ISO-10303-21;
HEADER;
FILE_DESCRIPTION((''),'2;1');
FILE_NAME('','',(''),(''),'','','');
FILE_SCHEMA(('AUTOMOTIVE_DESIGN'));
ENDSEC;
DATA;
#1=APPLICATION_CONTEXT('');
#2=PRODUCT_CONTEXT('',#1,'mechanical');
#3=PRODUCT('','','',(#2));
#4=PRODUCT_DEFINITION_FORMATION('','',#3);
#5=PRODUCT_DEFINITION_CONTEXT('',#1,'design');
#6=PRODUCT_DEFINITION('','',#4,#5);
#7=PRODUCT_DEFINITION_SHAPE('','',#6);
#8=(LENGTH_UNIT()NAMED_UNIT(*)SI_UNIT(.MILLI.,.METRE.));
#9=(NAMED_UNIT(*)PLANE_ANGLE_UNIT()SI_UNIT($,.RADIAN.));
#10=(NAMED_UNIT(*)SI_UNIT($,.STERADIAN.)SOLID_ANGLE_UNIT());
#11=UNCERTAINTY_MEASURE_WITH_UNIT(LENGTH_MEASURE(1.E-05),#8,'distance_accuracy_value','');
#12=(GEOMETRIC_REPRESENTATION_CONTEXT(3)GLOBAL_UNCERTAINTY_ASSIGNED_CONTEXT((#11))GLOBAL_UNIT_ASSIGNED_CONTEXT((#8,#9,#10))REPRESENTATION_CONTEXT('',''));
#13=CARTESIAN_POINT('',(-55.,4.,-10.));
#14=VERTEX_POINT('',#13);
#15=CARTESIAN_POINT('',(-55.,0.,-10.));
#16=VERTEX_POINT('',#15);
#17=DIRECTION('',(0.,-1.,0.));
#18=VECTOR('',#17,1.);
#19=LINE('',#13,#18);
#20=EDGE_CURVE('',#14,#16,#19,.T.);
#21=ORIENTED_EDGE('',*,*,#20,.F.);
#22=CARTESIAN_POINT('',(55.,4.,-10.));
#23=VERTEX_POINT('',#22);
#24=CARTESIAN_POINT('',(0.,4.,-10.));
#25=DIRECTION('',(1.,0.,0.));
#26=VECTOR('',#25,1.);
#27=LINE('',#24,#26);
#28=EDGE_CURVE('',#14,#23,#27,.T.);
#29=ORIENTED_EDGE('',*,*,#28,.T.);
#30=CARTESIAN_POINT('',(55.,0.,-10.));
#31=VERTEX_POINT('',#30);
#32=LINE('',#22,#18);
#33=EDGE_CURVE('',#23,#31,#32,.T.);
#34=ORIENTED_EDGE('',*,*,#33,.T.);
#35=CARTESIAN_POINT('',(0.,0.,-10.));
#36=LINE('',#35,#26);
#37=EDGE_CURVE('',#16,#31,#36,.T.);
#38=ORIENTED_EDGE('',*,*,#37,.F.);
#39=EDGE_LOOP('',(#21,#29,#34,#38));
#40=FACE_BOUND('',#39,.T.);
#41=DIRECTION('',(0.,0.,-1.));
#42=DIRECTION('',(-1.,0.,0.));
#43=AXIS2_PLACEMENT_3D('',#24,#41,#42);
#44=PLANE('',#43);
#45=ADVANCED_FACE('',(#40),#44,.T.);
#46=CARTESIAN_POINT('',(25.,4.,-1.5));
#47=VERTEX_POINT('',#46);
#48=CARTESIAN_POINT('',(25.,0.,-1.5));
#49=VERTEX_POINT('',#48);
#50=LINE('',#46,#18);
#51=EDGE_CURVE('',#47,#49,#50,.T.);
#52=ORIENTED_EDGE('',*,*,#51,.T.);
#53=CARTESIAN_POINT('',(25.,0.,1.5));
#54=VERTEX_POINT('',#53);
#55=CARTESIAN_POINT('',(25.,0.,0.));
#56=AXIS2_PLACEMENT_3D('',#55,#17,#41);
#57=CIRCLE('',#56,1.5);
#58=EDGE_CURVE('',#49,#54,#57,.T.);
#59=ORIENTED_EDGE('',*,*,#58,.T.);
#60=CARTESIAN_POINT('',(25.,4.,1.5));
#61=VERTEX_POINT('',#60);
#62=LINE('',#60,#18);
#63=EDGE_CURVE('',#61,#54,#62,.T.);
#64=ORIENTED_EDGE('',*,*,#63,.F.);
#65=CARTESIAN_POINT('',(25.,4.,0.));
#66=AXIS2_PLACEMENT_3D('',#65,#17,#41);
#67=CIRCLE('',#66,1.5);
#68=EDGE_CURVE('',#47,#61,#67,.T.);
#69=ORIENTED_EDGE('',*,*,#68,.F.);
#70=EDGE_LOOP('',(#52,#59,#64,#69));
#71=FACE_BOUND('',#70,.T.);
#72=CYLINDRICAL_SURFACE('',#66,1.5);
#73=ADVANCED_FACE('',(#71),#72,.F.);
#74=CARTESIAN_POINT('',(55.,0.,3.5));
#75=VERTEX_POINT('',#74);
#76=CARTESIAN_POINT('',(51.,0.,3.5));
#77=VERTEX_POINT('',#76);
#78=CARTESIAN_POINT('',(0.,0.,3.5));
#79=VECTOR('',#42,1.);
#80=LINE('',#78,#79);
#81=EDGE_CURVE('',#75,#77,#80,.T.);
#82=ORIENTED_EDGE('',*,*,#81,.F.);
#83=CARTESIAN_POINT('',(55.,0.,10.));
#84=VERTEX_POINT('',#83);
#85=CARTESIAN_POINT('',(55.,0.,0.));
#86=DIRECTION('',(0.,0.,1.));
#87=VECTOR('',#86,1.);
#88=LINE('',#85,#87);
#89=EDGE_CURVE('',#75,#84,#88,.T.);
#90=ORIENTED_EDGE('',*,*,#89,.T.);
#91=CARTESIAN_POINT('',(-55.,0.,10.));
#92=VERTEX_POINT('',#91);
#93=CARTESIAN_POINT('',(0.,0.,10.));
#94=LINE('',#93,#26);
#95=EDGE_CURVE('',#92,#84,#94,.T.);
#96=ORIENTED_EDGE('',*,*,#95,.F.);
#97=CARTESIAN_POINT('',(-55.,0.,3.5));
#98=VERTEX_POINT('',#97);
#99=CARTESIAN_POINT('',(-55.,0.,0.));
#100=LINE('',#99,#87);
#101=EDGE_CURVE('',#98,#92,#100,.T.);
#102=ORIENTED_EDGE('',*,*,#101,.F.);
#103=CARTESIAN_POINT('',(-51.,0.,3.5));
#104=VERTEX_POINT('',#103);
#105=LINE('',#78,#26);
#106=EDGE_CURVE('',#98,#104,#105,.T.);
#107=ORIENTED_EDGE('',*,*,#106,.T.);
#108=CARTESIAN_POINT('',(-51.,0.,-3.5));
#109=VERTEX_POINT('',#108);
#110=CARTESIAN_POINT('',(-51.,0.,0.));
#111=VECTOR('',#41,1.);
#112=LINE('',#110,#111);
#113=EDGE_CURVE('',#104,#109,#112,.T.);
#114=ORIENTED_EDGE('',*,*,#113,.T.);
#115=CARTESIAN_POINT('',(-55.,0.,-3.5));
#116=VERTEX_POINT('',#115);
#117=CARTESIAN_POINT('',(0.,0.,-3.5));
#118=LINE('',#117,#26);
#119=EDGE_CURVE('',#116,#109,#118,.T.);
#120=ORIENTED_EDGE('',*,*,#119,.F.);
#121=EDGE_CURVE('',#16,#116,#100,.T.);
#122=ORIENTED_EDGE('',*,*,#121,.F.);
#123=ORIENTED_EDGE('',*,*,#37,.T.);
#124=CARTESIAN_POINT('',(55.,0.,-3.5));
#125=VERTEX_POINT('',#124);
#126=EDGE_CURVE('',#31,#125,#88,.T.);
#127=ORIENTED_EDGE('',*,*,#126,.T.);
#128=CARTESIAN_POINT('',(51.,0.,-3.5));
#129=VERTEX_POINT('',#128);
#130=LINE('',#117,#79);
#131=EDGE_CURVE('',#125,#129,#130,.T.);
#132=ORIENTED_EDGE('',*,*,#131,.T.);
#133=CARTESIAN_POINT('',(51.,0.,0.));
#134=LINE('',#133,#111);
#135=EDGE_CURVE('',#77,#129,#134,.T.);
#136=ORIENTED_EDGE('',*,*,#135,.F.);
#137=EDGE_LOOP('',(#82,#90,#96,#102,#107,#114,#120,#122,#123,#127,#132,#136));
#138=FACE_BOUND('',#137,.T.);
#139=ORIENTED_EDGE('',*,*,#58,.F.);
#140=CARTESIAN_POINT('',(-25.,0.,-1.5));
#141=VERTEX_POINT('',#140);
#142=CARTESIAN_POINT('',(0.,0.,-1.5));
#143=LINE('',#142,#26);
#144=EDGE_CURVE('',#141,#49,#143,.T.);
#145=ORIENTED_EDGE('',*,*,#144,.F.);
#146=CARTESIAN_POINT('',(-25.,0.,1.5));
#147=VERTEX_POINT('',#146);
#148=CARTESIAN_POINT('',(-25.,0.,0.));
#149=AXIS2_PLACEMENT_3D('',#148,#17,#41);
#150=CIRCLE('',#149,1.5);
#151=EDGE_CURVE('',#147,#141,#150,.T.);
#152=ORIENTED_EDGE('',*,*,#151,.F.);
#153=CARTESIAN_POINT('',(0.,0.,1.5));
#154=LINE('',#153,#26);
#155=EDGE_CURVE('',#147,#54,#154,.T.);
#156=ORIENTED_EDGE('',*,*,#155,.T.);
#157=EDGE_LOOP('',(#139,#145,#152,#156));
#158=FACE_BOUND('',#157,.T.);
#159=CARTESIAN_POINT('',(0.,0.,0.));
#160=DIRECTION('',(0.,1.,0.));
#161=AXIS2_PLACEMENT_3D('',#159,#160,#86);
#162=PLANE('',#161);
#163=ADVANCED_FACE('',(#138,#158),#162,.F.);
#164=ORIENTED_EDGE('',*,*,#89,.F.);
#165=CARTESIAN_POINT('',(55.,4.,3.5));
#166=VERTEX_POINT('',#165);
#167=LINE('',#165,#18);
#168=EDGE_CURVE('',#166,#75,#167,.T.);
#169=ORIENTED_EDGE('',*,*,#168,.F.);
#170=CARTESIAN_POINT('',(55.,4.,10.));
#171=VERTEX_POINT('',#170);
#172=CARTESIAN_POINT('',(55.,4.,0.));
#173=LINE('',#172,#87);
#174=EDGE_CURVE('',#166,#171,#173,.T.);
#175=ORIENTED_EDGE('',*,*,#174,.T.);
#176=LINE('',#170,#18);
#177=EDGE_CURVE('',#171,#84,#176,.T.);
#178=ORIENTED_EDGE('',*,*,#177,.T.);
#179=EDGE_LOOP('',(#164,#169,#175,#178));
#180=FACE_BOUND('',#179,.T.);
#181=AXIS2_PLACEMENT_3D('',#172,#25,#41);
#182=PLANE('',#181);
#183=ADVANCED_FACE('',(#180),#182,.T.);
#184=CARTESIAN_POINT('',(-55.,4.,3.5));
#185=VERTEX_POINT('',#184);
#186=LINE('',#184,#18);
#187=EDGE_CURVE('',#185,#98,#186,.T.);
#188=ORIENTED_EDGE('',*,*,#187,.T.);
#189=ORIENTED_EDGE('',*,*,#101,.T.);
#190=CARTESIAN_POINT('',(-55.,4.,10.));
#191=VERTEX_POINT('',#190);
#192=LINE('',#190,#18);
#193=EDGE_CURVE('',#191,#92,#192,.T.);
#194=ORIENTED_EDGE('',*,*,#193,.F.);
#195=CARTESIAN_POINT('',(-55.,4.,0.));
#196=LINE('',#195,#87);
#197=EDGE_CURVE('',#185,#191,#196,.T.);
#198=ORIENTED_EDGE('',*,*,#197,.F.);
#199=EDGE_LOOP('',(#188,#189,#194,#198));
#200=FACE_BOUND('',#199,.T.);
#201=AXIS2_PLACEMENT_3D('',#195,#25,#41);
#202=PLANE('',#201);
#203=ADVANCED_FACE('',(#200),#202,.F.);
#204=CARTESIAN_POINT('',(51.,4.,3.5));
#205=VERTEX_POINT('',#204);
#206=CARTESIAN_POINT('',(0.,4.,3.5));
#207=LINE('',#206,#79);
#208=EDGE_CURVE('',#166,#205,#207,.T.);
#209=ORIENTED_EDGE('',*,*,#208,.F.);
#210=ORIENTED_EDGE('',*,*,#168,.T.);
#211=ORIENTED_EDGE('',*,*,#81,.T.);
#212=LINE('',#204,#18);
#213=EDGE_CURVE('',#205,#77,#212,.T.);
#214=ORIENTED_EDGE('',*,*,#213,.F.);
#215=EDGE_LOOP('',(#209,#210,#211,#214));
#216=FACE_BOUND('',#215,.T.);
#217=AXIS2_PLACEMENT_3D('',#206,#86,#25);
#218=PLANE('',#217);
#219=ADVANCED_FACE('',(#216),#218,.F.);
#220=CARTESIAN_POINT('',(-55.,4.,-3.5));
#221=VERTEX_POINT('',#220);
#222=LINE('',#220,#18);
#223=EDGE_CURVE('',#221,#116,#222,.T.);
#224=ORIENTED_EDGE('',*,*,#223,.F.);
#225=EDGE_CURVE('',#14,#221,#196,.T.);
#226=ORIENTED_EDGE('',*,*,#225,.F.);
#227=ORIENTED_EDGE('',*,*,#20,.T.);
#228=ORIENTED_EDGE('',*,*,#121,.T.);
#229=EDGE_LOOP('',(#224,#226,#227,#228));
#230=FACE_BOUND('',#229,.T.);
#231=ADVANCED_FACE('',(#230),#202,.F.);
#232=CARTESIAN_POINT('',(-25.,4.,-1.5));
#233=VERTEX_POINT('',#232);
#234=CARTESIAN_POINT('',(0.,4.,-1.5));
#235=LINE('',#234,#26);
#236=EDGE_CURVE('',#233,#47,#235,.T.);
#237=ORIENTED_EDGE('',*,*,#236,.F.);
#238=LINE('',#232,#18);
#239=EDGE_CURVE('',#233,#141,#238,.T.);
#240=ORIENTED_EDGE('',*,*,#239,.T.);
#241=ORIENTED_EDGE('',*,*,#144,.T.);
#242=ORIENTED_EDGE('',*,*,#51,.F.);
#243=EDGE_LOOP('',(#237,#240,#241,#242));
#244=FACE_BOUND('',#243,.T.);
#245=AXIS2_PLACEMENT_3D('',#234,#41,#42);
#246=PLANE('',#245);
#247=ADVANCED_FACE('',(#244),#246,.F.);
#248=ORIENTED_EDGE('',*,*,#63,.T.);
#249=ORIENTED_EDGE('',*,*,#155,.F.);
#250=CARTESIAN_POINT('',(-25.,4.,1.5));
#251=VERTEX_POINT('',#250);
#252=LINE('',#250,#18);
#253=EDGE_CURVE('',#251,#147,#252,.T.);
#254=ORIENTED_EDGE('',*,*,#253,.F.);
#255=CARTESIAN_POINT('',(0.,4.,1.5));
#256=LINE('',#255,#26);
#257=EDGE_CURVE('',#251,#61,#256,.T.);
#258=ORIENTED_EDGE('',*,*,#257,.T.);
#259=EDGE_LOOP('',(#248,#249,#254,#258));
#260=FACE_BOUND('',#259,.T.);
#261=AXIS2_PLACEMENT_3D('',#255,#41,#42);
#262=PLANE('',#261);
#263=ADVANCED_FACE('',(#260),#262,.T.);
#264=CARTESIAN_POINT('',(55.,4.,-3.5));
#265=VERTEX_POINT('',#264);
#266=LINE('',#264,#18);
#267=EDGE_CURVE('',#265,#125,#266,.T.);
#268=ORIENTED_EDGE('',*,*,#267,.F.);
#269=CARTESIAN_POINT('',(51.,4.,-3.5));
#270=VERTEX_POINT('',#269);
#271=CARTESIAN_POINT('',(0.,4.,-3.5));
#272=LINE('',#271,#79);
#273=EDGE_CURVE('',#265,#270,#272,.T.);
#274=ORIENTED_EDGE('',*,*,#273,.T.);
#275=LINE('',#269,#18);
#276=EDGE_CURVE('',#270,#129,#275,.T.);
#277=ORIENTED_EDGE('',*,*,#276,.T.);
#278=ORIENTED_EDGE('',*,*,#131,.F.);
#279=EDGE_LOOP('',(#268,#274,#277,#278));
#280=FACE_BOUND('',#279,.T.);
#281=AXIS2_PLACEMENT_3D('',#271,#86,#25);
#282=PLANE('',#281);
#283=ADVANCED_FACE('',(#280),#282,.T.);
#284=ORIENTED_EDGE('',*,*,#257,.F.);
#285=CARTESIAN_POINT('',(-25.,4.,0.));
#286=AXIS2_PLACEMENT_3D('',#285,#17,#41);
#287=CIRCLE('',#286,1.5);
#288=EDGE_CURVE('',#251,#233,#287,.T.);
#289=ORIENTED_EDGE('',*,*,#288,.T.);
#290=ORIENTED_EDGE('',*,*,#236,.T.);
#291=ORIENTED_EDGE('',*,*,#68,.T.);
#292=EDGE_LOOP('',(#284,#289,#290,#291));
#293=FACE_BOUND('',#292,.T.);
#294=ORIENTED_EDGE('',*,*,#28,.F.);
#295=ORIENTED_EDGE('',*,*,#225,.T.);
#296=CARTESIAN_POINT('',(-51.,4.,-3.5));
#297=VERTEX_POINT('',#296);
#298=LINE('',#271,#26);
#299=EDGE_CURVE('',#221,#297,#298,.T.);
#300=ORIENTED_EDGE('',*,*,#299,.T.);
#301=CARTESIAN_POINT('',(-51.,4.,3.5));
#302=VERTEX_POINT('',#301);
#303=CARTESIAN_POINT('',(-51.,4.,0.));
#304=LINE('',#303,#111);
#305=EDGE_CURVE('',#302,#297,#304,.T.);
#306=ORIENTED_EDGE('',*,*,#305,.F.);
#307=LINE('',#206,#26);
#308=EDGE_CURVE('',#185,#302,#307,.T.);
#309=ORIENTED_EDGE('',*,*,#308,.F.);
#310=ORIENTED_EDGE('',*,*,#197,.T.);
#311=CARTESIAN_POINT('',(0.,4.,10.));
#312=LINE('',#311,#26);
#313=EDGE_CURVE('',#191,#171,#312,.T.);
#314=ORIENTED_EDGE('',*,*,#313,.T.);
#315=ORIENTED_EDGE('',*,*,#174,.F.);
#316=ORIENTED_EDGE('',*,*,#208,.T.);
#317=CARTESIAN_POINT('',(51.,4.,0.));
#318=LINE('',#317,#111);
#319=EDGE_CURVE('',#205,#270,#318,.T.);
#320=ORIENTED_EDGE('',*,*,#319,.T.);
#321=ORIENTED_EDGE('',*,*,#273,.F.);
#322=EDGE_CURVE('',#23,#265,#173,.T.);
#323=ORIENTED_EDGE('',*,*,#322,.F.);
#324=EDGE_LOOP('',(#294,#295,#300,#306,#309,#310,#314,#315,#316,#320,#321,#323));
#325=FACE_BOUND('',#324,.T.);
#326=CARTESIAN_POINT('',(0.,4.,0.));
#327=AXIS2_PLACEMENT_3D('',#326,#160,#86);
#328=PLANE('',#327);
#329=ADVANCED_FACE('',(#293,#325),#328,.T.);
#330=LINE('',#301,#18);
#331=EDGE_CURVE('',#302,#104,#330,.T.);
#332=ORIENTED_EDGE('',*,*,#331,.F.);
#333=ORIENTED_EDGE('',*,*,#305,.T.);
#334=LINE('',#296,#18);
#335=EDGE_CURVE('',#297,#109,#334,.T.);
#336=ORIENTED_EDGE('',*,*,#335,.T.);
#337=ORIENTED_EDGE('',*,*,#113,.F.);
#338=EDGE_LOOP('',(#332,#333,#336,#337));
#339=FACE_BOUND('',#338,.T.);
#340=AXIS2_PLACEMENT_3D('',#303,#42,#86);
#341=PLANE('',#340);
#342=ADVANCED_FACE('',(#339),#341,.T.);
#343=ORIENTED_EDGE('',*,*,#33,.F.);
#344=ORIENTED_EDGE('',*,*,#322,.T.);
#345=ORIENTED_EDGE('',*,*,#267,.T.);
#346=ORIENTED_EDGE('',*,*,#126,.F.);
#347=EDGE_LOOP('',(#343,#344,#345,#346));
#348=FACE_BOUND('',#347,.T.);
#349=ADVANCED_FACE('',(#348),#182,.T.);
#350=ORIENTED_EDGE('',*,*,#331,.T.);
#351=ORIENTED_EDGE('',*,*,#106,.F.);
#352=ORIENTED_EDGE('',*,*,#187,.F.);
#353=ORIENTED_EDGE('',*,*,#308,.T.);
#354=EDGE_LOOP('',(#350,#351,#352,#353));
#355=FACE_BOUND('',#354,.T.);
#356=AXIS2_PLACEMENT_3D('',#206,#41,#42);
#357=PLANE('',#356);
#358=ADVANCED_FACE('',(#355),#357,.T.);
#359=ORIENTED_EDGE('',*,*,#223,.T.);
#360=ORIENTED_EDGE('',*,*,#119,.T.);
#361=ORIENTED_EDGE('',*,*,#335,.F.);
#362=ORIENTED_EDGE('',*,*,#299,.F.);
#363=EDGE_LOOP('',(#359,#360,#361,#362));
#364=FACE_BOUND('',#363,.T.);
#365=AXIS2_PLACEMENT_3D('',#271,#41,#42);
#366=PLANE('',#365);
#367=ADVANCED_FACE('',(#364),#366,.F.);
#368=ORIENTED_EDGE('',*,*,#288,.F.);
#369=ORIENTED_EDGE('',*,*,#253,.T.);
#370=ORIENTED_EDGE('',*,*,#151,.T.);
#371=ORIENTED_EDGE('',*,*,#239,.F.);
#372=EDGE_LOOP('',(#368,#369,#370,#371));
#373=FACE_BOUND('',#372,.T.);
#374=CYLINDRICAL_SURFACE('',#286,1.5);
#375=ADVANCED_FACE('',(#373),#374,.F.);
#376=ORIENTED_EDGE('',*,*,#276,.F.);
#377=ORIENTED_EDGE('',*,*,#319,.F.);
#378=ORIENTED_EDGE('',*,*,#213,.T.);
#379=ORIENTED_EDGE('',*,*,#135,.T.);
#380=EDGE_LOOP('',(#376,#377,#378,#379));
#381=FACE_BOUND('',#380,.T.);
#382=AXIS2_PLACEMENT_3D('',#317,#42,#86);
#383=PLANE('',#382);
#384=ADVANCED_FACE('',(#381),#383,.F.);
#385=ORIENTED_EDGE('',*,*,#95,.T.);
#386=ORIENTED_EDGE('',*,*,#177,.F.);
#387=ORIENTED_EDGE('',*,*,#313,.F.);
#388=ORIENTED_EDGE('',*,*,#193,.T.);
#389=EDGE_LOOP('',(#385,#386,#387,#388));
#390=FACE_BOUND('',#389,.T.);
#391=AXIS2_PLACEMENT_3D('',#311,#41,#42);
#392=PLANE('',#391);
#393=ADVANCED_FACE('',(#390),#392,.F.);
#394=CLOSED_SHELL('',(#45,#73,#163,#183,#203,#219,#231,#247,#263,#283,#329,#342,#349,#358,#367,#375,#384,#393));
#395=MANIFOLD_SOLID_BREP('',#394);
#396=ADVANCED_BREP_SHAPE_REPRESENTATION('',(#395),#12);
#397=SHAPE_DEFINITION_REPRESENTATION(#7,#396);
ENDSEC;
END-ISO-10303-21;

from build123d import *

# Parameters (mm, degrees)
BOSS_EXTRUDE1_DEPTH = 4
SKETCH2_R           = 1.5
CUT_EXTRUDE2_DEPTH  = 4


with BuildPart() as part:
    # Sketch1 → Boss-Extrude1 (new body)
    with BuildSketch(Plane(origin=(0, 0, 0), x_dir=(1, 0, 0), z_dir=(0, 1, 0))):
        Polygon((55, 10), (-55, 10), (-55, 3.5), (-51, 3.5), (-51, -3.5), (-55, -3.5), (-55, -10), (55, -10), (55, -3.5), (51, -3.5), (51, 3.5), (55, 3.5), align=None)
    extrude(amount=BOSS_EXTRUDE1_DEPTH)

    # Sketch2 → Cut-Extrude2 (cut)
    with BuildSketch(Plane.XZ):
        with BuildLine():
            ThreePointArc((-23.5, 0), (-23.939339828, -1.060660172), (-25, -1.5))
            Line((-25, -1.5), (25, -1.5))
            ThreePointArc((25, -1.5), (23.5, 0), (25, 1.5))
            Line((25, 1.5), (-25, 1.5))
            ThreePointArc((-25, 1.5), (-23.939339828, 1.060660172), (-23.5, 0))
        make_face()
        with Locations((-25, 0)):
            Circle(SKETCH2_R)
        with Locations((25, 0)):
            Circle(SKETCH2_R)
    extrude(amount=-CUT_EXTRUDE2_DEPTH, mode=Mode.SUBTRACT)


solid = part.part
